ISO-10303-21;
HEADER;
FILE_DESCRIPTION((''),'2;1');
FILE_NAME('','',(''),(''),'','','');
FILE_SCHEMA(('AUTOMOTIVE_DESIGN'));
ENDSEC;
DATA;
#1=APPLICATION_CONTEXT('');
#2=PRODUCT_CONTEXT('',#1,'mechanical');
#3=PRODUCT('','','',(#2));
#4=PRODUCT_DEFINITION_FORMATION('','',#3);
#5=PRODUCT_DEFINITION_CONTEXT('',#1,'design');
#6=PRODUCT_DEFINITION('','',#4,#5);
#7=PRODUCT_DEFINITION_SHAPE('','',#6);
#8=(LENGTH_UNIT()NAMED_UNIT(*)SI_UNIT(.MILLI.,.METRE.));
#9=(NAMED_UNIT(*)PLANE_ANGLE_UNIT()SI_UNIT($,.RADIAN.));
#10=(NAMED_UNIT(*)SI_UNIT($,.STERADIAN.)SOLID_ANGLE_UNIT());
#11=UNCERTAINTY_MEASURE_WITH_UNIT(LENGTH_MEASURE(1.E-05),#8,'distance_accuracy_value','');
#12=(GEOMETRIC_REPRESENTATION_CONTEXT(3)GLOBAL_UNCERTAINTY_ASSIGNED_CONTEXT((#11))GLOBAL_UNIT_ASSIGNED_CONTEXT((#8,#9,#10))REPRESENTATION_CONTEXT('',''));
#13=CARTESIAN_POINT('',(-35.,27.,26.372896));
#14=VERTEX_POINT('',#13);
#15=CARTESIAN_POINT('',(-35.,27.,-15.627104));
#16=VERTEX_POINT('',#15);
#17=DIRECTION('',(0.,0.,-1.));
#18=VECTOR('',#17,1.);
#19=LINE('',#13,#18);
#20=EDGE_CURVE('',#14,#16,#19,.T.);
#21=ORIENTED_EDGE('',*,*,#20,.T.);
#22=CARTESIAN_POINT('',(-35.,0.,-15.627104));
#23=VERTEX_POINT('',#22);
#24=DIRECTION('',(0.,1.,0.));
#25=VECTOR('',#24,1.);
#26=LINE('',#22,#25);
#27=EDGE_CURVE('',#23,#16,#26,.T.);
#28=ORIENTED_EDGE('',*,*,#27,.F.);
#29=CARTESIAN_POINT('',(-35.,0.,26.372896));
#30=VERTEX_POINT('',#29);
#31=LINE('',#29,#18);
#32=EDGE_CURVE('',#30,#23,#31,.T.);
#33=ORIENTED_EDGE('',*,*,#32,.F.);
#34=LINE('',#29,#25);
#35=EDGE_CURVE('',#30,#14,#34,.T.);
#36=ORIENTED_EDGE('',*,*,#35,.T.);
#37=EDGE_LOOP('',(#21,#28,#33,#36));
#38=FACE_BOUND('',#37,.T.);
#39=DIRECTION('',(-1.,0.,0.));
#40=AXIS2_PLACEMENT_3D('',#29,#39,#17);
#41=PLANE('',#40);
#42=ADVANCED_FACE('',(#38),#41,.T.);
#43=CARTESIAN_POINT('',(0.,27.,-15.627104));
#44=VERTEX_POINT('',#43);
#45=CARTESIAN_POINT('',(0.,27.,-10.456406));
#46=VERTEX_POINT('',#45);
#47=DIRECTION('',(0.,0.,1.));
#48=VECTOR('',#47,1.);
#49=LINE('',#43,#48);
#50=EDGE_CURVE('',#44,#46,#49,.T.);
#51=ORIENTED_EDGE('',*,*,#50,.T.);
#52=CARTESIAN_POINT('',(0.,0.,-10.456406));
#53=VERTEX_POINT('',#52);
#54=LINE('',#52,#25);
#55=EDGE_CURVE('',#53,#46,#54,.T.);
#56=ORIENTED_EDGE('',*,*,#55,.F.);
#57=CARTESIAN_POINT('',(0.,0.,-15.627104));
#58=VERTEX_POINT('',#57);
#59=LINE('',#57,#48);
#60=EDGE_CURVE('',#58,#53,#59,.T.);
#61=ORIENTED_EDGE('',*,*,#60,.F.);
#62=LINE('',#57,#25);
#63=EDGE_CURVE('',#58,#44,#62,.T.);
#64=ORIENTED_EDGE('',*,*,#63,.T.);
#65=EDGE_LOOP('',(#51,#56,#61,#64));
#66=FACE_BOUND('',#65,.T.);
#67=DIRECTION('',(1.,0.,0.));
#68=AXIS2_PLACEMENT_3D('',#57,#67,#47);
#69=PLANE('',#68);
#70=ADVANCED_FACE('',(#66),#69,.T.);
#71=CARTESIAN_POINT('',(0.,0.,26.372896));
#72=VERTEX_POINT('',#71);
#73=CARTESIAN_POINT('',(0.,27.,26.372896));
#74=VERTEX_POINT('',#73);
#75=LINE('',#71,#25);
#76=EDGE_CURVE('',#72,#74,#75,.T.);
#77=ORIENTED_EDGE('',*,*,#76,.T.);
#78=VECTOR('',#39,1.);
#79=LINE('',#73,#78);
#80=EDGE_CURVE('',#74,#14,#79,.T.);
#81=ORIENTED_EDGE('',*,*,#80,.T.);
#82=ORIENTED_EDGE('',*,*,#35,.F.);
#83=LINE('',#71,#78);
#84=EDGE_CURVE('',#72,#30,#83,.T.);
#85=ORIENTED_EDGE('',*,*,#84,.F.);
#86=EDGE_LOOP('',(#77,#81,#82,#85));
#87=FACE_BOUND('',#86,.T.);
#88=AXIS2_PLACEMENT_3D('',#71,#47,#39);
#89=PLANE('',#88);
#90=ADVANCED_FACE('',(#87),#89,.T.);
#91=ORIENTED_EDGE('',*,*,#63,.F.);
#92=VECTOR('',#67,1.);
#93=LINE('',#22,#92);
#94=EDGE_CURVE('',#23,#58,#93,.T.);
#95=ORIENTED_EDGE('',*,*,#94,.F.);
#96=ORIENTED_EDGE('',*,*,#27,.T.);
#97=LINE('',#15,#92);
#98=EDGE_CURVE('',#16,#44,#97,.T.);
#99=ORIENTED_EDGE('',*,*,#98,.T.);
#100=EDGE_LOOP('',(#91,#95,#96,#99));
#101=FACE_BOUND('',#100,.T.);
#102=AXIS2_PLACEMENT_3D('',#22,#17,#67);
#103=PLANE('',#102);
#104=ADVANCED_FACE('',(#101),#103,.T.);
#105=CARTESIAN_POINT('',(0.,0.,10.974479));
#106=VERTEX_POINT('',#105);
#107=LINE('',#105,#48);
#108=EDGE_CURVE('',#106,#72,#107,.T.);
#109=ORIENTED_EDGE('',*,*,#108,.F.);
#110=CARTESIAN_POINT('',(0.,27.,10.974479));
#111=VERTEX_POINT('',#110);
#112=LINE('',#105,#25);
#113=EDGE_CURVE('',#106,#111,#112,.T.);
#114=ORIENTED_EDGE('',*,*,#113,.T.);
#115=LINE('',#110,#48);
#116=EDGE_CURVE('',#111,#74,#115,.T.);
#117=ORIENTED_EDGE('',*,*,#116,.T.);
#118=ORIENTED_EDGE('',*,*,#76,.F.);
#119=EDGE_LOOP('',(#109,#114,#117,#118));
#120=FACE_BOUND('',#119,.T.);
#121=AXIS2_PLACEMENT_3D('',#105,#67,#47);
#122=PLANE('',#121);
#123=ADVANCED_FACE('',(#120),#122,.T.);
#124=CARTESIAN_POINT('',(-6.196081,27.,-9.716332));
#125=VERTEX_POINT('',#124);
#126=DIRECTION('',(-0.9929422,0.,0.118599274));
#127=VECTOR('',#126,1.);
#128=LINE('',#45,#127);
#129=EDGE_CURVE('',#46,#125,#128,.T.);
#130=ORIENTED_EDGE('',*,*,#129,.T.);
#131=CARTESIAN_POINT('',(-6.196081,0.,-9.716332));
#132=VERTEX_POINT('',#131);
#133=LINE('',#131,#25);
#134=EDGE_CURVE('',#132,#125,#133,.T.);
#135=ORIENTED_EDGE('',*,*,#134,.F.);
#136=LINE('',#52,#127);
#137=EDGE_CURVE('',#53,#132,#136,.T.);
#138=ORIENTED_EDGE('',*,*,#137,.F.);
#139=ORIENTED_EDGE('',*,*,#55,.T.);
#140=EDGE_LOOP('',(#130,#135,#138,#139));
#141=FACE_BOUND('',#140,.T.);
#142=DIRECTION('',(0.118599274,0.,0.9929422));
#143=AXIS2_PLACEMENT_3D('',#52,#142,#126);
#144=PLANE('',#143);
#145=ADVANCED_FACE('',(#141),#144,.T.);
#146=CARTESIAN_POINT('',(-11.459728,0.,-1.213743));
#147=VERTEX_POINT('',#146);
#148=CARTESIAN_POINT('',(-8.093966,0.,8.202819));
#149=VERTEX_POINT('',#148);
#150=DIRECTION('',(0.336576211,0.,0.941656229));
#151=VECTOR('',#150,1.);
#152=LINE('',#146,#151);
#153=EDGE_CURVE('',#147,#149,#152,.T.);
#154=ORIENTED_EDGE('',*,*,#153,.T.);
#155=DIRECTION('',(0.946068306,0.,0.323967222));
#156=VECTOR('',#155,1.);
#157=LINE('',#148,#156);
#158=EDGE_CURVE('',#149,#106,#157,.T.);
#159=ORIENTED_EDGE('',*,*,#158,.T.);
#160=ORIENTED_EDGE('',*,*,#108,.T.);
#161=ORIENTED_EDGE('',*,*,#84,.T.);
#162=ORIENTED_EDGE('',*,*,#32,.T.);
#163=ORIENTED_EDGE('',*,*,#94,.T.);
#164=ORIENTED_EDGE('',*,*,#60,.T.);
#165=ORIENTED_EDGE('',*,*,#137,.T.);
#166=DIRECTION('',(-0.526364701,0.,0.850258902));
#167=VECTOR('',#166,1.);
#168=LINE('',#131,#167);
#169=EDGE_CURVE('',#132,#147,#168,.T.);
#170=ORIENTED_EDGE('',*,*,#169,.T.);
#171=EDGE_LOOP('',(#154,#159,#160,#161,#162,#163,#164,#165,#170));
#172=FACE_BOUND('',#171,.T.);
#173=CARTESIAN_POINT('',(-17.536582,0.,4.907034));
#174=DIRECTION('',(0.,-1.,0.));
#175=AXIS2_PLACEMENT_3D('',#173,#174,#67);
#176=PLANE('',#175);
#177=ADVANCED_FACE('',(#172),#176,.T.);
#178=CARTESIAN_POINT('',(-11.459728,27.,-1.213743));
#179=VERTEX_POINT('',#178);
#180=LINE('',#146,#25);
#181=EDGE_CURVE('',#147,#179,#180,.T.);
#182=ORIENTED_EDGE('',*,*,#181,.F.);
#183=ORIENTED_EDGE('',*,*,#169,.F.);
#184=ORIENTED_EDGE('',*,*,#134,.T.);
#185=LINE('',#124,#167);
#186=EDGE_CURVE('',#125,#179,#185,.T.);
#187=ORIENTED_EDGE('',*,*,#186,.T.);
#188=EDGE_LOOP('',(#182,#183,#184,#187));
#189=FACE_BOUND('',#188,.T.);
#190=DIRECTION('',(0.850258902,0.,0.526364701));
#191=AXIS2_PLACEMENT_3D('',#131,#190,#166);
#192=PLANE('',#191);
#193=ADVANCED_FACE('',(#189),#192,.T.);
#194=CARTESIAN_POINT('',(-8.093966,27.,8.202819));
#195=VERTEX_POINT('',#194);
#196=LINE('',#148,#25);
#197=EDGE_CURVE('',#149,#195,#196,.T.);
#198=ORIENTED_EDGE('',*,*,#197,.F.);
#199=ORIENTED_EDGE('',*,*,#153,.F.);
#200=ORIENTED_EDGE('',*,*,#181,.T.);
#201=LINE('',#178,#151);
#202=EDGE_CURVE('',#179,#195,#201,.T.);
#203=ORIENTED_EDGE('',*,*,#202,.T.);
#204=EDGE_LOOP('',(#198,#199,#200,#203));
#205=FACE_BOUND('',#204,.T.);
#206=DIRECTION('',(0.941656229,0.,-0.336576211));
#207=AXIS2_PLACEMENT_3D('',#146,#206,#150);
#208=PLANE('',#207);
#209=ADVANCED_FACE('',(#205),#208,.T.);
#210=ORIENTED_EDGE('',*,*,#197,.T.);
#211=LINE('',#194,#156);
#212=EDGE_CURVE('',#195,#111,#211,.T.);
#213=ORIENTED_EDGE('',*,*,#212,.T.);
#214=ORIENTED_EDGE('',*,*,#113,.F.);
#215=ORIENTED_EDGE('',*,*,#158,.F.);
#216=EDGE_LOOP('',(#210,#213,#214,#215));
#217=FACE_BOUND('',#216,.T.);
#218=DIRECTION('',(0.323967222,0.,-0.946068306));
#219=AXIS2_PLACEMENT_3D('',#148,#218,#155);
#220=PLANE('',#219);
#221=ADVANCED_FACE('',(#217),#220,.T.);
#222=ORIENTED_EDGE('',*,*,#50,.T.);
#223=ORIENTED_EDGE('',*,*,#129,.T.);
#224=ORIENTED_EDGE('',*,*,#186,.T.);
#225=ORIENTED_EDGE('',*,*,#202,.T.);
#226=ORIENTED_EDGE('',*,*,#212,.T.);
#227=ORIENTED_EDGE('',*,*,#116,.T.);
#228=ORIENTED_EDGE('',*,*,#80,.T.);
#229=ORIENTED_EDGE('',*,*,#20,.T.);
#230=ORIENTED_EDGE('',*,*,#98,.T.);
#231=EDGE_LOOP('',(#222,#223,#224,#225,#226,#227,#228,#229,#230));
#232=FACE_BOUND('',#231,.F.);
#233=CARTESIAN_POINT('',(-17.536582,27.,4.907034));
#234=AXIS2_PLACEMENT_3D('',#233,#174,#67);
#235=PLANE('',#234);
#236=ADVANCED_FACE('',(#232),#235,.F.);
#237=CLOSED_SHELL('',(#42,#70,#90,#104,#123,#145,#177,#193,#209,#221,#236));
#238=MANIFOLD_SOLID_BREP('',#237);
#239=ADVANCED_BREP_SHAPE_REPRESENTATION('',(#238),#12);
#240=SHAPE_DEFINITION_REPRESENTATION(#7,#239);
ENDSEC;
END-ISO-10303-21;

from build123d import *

# Parameters (mm, degrees)
F1_DEPTH = 27


with BuildPart() as f1:
    # F0 (on Front) → F1 (new body)
    with BuildSketch(Plane.XZ):
        Polygon((0, 26.372896), (-35, 26.372896), (-35, -15.627104), (0, -15.627104), (0, -10.456406), (-6.196081, -9.716332), (-11.459728, -1.213743), (-8.093966, 8.202819), (0, 10.974479), align=None)
    extrude(amount=-F1_DEPTH)


solid = f1.part
